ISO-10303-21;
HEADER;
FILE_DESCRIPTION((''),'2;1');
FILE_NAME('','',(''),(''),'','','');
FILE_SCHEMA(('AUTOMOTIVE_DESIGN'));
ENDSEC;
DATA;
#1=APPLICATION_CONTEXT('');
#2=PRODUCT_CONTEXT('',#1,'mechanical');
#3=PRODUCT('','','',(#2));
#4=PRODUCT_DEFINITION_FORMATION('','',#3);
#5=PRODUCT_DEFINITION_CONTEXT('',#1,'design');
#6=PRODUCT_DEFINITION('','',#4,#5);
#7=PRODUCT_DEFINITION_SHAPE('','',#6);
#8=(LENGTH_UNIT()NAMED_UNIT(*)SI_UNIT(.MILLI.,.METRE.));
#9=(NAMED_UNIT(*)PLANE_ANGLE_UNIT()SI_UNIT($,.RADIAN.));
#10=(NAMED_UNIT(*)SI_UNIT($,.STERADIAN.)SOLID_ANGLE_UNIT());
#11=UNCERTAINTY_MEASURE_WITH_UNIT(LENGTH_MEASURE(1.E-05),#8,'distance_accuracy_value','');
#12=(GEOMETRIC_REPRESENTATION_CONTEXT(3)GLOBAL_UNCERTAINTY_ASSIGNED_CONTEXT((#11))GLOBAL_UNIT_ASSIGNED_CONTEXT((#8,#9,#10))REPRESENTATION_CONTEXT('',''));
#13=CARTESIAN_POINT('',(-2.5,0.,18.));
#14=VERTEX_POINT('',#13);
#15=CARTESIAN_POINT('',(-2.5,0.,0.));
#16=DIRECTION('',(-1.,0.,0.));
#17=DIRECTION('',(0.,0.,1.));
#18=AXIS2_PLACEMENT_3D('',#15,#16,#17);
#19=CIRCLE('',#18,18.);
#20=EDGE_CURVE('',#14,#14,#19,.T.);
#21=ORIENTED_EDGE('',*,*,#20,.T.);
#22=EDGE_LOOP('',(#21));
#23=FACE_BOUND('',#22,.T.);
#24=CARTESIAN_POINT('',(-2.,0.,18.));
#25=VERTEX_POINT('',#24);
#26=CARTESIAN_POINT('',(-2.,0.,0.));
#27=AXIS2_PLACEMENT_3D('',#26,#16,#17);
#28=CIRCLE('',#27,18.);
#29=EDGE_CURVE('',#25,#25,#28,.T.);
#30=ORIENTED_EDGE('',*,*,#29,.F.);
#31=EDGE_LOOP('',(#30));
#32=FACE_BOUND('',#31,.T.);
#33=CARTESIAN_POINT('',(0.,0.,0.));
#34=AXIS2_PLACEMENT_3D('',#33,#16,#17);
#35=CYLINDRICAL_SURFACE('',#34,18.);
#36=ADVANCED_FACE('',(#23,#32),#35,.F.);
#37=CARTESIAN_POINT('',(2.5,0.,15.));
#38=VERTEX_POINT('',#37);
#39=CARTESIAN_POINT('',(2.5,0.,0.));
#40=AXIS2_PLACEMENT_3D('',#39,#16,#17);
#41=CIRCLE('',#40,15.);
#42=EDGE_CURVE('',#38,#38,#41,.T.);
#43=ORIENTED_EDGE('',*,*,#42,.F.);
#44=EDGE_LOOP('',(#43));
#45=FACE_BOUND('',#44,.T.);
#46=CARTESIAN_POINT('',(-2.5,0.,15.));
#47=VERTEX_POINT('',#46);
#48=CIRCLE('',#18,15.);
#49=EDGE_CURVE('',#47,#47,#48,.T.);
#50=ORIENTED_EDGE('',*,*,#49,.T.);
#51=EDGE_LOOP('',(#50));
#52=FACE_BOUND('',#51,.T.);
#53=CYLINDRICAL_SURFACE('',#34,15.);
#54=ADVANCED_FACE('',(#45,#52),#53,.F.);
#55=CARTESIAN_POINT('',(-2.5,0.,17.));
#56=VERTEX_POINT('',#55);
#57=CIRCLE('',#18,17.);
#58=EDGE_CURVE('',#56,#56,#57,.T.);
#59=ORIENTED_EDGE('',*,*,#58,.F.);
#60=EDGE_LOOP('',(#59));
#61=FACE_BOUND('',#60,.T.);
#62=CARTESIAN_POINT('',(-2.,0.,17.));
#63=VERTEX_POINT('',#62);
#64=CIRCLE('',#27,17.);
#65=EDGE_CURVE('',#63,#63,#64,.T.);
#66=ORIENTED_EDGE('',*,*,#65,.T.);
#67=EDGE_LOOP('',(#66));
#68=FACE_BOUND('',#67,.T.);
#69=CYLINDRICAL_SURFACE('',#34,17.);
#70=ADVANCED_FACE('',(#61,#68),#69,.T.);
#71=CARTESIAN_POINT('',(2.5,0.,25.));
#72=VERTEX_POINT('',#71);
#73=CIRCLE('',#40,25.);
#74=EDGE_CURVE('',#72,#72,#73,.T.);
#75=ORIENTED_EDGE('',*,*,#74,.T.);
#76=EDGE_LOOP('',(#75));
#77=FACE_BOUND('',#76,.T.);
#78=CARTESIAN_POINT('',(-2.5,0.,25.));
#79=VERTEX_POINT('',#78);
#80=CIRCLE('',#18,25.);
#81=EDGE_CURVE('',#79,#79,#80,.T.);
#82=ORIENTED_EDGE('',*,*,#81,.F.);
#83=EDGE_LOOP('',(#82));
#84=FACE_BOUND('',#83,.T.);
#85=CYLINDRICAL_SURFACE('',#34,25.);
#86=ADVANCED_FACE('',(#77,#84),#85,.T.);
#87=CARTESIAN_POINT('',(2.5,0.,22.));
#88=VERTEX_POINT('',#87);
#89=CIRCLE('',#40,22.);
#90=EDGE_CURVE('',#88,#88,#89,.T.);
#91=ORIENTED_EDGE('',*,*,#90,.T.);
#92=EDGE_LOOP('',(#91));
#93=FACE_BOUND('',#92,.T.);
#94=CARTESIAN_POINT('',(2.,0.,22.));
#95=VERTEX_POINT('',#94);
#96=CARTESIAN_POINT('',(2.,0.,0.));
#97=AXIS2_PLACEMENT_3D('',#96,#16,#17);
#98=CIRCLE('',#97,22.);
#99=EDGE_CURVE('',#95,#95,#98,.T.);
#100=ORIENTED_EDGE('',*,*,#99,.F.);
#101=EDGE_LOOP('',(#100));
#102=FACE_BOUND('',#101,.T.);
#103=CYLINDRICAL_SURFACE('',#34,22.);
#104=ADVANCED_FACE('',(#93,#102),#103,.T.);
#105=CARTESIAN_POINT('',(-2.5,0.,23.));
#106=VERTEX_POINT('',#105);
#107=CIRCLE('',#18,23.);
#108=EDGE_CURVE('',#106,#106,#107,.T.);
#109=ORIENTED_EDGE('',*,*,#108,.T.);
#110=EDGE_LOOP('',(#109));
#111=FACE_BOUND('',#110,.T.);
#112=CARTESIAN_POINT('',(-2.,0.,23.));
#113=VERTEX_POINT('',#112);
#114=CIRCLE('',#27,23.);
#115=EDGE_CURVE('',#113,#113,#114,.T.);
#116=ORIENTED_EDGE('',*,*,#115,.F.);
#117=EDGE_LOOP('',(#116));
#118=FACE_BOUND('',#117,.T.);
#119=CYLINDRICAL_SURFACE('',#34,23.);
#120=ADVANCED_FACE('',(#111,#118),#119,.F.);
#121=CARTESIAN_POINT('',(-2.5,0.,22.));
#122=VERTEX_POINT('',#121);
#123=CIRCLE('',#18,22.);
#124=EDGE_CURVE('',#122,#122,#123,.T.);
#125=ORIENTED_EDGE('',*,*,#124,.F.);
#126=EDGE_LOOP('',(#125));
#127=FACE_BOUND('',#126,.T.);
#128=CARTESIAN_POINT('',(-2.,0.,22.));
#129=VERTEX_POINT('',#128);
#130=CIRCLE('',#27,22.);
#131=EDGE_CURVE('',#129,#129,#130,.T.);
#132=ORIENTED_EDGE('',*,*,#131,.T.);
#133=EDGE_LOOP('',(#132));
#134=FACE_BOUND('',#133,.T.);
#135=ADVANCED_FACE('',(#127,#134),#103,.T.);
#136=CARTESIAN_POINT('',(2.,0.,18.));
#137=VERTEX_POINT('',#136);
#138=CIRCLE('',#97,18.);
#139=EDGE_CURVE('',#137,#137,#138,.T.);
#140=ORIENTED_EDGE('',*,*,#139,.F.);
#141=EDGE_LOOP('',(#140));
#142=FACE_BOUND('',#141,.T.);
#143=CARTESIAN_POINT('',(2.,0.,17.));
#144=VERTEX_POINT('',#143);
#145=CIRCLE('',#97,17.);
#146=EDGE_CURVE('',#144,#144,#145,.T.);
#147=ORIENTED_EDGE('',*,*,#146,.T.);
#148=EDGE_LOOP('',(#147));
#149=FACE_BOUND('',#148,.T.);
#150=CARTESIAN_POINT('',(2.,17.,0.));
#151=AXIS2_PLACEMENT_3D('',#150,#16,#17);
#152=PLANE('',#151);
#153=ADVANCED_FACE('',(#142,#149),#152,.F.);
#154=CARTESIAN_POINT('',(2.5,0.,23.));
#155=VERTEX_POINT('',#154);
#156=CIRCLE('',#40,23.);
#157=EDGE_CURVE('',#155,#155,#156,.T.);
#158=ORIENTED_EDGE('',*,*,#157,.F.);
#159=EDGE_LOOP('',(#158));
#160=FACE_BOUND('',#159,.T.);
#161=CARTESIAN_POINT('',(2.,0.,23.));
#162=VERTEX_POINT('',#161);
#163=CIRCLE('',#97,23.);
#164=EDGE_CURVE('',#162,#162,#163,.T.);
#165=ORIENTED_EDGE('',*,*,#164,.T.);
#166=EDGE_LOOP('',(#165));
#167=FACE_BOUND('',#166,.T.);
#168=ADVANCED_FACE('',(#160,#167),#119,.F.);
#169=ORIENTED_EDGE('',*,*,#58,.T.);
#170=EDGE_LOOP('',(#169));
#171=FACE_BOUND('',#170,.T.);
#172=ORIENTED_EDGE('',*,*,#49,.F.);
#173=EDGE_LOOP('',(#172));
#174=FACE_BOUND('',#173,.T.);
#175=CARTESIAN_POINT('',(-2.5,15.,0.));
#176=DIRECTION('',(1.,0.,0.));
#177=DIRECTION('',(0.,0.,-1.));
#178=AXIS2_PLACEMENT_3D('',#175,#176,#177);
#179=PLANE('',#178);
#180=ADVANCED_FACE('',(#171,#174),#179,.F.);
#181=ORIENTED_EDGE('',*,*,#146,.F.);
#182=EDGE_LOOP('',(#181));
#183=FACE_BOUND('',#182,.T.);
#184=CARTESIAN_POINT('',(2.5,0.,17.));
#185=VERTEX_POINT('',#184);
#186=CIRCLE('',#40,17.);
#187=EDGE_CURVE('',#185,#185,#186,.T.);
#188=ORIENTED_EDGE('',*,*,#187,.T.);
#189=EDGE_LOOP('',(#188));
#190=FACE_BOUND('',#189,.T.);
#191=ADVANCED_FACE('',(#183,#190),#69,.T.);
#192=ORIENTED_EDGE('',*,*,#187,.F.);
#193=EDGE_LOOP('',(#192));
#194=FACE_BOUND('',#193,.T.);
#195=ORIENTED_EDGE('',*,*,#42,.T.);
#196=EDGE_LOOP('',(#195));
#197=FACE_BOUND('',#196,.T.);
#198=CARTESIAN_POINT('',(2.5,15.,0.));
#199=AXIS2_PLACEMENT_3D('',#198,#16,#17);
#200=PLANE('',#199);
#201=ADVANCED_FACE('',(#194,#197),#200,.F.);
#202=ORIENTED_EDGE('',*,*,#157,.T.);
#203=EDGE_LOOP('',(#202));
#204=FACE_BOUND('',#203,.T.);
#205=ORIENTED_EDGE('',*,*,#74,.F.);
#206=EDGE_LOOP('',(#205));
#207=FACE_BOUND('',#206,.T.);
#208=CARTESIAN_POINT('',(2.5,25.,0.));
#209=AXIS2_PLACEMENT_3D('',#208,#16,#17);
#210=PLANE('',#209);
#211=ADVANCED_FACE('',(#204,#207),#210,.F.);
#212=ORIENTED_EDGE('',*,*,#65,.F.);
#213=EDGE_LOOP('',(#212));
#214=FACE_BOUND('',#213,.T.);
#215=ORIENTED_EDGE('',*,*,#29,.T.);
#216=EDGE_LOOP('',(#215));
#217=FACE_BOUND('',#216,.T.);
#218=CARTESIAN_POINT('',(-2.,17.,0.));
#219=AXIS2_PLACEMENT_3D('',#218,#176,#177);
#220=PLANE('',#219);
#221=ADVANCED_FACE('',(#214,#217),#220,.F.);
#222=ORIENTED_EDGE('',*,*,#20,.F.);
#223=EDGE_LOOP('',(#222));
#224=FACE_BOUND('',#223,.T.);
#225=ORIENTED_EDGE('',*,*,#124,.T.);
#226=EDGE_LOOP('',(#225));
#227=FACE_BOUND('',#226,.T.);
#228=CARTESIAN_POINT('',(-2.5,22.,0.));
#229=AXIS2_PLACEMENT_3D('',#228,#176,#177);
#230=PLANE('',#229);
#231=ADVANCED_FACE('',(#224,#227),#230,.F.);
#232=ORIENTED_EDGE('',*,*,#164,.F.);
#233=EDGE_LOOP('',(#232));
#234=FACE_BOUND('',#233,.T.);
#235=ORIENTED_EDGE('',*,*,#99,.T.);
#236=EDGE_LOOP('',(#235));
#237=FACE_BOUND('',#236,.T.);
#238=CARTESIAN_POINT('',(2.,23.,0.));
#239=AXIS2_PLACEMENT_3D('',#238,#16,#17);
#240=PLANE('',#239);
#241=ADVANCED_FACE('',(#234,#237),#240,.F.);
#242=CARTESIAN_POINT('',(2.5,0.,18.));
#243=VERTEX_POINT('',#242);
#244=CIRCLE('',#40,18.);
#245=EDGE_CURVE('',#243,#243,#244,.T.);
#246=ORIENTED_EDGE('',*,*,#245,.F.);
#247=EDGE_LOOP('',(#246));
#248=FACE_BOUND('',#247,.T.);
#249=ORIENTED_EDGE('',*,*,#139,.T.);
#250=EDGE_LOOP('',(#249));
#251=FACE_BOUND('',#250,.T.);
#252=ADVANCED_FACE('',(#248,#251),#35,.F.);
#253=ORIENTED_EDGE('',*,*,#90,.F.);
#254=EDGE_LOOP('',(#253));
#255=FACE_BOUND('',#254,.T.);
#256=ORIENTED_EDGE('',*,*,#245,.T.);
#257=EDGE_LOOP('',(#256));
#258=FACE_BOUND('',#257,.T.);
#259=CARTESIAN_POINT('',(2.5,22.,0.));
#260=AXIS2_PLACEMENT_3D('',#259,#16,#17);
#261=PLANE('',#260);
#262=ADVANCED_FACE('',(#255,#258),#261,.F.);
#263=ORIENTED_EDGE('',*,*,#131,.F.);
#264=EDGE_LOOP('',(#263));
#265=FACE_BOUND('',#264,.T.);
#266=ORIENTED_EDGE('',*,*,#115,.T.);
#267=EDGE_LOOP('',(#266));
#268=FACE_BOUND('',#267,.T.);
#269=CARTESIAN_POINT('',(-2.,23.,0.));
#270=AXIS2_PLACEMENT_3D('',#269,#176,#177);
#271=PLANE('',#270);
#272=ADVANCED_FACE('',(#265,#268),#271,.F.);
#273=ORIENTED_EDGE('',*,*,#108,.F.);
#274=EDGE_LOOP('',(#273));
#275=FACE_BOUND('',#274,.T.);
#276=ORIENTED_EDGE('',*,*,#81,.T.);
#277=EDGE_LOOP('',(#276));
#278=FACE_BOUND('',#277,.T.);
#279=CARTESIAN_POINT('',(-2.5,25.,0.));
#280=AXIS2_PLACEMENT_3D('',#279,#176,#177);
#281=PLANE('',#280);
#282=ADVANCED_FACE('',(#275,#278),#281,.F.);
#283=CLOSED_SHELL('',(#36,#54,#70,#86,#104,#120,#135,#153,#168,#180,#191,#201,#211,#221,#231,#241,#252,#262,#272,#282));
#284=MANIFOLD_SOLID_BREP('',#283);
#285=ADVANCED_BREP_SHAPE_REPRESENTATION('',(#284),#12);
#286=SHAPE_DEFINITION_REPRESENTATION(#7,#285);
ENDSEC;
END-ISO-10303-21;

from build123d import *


with BuildPart() as part:
    # Sketch1 → Revolve1 (revolve)
    with BuildSketch(Plane.XY, mode=Mode.PRIVATE) as revolve1_sk:
        Polygon((-2.5, 25), (2.5, 25), (2.5, 23), (2, 23), (2, 22), (2.5, 22), (2.5, 18), (2, 18), (2, 17), (2.5, 17), (2.5, 15), (-2.5, 15), (-2.5, 17), (-2, 17), (-2, 18), (-2.5, 18), (-2.5, 22), (-2, 22), (-2, 23), (-2.5, 23), align=None)
    revolve(revolve1_sk.sketch.rotate(Axis((0, 0, 0), (1, 0, 0)), 90), axis=Axis((0, 0, 0), (1, 0, 0)))


solid = part.part
